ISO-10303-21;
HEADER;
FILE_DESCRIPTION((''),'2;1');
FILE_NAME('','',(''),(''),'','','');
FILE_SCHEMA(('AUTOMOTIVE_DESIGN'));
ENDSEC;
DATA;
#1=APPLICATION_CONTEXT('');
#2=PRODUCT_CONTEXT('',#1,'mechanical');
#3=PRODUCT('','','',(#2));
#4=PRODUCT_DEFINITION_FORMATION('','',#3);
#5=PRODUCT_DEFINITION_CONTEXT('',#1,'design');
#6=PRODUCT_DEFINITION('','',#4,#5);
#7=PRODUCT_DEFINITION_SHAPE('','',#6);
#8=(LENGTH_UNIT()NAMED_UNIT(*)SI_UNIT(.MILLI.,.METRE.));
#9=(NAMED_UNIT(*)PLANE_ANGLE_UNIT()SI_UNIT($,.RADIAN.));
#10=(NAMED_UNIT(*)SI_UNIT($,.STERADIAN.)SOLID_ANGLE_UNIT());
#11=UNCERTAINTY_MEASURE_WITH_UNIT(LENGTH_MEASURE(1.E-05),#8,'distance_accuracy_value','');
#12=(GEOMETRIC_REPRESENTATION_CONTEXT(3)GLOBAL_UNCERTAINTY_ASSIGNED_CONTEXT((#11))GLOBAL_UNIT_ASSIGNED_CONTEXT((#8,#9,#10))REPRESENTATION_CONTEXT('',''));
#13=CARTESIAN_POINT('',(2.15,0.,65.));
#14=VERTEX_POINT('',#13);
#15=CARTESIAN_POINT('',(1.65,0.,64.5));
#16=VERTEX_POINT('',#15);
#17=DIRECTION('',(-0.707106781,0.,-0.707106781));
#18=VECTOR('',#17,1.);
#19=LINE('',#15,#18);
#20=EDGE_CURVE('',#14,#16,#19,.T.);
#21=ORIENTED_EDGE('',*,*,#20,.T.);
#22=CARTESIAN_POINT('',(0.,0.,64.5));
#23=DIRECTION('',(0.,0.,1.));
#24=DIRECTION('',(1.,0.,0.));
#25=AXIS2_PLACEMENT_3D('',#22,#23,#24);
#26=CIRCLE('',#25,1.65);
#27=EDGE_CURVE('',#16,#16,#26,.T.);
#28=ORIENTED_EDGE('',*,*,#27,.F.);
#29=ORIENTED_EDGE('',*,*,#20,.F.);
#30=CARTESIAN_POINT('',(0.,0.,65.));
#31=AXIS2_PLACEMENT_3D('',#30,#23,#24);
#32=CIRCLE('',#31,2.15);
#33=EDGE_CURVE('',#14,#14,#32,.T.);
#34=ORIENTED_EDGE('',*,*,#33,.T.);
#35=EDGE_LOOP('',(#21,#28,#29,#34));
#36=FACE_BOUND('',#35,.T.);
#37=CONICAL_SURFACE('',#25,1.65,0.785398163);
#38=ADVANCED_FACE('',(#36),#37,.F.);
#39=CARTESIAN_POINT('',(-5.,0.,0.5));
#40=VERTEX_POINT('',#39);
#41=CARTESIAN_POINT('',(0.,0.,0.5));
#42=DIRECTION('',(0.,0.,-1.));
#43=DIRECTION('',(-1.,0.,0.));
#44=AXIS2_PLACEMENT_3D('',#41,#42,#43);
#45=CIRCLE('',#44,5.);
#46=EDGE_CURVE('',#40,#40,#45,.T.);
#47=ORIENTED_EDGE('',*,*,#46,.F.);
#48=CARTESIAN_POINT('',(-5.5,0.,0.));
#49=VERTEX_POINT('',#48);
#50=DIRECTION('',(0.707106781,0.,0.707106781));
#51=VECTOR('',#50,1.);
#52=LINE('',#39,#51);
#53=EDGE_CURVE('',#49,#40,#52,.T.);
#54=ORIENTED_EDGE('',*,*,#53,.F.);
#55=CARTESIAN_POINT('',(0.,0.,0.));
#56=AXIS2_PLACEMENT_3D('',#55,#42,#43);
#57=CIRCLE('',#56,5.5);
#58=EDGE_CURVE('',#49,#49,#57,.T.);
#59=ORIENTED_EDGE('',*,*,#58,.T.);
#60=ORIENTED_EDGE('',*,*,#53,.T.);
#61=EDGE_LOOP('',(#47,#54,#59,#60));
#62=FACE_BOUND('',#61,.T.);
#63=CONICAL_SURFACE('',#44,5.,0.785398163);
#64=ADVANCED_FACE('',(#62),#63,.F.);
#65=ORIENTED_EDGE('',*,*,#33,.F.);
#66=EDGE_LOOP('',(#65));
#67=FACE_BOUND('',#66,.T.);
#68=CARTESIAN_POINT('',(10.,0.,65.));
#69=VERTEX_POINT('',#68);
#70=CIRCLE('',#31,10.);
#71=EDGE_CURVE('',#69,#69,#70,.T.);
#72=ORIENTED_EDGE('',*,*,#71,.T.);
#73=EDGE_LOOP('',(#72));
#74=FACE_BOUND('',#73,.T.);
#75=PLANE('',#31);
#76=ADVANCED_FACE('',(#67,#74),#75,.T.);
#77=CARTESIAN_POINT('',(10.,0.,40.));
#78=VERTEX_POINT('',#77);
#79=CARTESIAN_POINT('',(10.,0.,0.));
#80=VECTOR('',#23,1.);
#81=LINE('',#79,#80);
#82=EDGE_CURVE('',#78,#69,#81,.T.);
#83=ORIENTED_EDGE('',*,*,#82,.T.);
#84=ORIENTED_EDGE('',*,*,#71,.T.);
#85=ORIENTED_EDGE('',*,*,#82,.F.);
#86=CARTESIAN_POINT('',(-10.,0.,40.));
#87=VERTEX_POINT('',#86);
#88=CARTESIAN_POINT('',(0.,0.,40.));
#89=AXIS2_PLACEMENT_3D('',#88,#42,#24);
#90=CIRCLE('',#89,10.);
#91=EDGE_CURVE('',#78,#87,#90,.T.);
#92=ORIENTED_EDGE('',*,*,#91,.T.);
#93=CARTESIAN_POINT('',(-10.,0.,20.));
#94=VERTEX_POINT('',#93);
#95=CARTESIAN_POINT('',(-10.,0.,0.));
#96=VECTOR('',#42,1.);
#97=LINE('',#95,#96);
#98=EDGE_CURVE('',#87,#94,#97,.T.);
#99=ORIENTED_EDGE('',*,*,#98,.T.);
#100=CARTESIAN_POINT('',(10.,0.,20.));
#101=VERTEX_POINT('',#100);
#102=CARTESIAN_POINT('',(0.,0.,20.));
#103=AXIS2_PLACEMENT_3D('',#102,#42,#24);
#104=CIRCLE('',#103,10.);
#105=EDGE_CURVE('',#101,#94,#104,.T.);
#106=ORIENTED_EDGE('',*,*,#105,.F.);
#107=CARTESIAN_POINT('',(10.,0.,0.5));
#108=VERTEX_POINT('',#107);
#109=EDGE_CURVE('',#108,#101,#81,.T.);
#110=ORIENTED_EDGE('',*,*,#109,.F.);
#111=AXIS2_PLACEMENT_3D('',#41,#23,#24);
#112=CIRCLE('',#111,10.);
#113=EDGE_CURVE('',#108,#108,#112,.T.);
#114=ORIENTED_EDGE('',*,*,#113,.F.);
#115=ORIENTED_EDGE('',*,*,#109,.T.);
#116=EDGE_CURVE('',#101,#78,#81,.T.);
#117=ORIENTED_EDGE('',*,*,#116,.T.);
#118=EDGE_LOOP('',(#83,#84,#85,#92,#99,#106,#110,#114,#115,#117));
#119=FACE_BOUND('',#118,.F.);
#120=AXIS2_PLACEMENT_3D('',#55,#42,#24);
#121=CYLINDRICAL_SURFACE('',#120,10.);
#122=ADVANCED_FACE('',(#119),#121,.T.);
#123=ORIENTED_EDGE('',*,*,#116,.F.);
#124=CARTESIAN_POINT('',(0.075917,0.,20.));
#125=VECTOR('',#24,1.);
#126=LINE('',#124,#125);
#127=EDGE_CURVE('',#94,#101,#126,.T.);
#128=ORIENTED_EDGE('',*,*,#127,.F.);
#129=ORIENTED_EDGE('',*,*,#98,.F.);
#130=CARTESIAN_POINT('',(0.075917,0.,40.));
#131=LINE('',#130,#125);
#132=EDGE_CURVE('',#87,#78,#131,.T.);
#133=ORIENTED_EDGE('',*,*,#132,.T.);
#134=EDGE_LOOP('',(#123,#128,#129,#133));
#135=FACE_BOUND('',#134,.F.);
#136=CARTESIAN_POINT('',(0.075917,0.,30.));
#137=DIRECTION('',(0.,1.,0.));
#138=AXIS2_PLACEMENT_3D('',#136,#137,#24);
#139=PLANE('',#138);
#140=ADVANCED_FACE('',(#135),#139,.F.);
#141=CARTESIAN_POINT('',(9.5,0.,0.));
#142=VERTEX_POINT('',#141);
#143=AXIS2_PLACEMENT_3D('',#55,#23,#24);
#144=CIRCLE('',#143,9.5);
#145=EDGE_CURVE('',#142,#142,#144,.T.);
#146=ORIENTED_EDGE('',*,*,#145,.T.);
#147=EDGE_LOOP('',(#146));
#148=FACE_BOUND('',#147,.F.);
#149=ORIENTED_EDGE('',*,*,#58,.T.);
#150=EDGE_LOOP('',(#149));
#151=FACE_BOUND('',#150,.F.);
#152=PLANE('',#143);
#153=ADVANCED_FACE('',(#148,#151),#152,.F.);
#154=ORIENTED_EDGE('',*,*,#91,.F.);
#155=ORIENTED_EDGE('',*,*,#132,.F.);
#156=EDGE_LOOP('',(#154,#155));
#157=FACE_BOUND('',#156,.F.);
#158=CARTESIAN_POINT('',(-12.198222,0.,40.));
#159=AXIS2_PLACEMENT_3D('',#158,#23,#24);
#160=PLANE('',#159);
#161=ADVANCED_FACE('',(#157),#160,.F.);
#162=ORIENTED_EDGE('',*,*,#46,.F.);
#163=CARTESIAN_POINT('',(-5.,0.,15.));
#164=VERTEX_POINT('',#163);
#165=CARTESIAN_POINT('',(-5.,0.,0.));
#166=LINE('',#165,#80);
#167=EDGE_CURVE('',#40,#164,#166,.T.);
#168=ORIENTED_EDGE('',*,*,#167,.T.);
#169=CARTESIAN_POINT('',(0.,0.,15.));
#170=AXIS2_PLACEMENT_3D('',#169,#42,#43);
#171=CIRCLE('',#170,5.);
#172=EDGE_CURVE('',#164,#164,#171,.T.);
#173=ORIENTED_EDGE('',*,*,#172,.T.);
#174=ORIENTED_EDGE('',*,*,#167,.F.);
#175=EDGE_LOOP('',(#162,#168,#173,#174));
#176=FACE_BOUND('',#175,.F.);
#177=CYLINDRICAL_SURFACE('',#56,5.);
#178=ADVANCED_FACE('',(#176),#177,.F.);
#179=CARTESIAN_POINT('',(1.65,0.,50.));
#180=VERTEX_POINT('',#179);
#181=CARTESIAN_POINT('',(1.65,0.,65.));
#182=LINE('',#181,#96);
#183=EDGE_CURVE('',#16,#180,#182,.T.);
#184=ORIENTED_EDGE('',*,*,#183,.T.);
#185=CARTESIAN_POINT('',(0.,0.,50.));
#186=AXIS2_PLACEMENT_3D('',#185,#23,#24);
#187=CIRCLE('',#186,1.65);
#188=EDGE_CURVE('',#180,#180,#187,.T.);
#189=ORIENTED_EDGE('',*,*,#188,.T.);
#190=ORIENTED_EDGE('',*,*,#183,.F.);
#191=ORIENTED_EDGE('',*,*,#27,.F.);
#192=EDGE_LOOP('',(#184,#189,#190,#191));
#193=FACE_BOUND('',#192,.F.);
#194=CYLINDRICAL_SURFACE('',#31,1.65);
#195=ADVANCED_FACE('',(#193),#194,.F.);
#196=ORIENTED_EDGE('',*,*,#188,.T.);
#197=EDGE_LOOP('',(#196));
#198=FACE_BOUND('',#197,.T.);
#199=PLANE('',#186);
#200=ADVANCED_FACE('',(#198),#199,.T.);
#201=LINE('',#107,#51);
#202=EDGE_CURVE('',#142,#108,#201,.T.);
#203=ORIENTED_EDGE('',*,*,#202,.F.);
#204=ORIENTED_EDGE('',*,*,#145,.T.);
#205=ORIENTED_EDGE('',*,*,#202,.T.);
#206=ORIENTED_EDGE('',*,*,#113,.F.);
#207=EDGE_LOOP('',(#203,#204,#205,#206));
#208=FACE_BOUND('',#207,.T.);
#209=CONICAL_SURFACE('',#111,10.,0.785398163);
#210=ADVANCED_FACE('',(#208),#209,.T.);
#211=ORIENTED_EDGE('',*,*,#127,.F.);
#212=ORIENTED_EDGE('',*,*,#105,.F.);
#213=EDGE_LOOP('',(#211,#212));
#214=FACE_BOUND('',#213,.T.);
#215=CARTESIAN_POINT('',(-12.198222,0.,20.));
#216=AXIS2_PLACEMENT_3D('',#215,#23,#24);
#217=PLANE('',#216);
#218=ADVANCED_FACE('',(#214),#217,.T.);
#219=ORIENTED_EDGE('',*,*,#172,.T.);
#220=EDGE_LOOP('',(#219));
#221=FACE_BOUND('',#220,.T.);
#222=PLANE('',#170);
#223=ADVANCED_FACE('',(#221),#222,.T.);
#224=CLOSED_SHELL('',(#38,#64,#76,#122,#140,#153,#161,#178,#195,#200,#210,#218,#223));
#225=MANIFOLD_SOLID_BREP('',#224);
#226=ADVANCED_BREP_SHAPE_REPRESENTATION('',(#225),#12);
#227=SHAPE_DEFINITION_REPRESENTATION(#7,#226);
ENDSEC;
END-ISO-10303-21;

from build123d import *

# Parameters (mm, degrees)
SKETCH1_R           = 10
BOSS_EXTRUDE1_DEPTH = 65
SKETCH2_R           = 1.65
CUT_EXTRUDE1_DEPTH  = 15
CHAMFER1_SIZE       = 0.5
SKETCH3_R           = 5
CUT_EXTRUDE2_DEPTH  = 15
CHAMFER2_SIZE       = 0.5
CHAMFER3_SIZE       = 0.5
SKETCH4_W           = 24.548279796
SKETCH4_H           = 20
CUT_EXTRUDE3_DEPTH  = 13


with BuildPart() as part:
    # Sketch1 → Boss-Extrude1 (new body)
    with BuildSketch(Plane.XY):
        Circle(SKETCH1_R)
    extrude(amount=BOSS_EXTRUDE1_DEPTH)

    # Sketch2 → Cut-Extrude1 (cut)
    with BuildSketch(Plane.XY.offset(65)):
        Circle(SKETCH2_R)
    extrude(amount=-CUT_EXTRUDE1_DEPTH, mode=Mode.SUBTRACT)

    # Chamfer1
    chamfer1_edges = [part.edges().sort_by_distance(p)[0] for p in [
        (-1.65, 0, 65),
    ]]
    chamfer(chamfer1_edges, length=CHAMFER1_SIZE)

    # Sketch3 → Cut-Extrude2 (cut)
    with BuildSketch(Plane(origin=(0, 0, 0), x_dir=(-1, 0, 0), z_dir=(0, 0, -1))):
        Circle(SKETCH3_R)
    extrude(amount=-CUT_EXTRUDE2_DEPTH, mode=Mode.SUBTRACT)

    # Chamfer2
    chamfer2_edges = [part.edges().sort_by_distance(p)[0] for p in [
        (5, 0, 0),
    ]]
    chamfer(chamfer2_edges, length=CHAMFER2_SIZE)

    # Chamfer3
    chamfer3_edges = [part.edges().sort_by_distance(p)[0] for p in [
        (-10, 0, 0),
    ]]
    chamfer(chamfer3_edges, length=CHAMFER3_SIZE)

    # Sketch4 → Cut-Extrude3 (cut)
    with BuildSketch(Plane(origin=(0, 0, 0), x_dir=(1, 0, 0), z_dir=(0, 1, 0))):
        with Locations((0.075917463, -30)):
            Rectangle(SKETCH4_W, SKETCH4_H)
    extrude(amount=-CUT_EXTRUDE3_DEPTH, mode=Mode.SUBTRACT)


solid = part.part
